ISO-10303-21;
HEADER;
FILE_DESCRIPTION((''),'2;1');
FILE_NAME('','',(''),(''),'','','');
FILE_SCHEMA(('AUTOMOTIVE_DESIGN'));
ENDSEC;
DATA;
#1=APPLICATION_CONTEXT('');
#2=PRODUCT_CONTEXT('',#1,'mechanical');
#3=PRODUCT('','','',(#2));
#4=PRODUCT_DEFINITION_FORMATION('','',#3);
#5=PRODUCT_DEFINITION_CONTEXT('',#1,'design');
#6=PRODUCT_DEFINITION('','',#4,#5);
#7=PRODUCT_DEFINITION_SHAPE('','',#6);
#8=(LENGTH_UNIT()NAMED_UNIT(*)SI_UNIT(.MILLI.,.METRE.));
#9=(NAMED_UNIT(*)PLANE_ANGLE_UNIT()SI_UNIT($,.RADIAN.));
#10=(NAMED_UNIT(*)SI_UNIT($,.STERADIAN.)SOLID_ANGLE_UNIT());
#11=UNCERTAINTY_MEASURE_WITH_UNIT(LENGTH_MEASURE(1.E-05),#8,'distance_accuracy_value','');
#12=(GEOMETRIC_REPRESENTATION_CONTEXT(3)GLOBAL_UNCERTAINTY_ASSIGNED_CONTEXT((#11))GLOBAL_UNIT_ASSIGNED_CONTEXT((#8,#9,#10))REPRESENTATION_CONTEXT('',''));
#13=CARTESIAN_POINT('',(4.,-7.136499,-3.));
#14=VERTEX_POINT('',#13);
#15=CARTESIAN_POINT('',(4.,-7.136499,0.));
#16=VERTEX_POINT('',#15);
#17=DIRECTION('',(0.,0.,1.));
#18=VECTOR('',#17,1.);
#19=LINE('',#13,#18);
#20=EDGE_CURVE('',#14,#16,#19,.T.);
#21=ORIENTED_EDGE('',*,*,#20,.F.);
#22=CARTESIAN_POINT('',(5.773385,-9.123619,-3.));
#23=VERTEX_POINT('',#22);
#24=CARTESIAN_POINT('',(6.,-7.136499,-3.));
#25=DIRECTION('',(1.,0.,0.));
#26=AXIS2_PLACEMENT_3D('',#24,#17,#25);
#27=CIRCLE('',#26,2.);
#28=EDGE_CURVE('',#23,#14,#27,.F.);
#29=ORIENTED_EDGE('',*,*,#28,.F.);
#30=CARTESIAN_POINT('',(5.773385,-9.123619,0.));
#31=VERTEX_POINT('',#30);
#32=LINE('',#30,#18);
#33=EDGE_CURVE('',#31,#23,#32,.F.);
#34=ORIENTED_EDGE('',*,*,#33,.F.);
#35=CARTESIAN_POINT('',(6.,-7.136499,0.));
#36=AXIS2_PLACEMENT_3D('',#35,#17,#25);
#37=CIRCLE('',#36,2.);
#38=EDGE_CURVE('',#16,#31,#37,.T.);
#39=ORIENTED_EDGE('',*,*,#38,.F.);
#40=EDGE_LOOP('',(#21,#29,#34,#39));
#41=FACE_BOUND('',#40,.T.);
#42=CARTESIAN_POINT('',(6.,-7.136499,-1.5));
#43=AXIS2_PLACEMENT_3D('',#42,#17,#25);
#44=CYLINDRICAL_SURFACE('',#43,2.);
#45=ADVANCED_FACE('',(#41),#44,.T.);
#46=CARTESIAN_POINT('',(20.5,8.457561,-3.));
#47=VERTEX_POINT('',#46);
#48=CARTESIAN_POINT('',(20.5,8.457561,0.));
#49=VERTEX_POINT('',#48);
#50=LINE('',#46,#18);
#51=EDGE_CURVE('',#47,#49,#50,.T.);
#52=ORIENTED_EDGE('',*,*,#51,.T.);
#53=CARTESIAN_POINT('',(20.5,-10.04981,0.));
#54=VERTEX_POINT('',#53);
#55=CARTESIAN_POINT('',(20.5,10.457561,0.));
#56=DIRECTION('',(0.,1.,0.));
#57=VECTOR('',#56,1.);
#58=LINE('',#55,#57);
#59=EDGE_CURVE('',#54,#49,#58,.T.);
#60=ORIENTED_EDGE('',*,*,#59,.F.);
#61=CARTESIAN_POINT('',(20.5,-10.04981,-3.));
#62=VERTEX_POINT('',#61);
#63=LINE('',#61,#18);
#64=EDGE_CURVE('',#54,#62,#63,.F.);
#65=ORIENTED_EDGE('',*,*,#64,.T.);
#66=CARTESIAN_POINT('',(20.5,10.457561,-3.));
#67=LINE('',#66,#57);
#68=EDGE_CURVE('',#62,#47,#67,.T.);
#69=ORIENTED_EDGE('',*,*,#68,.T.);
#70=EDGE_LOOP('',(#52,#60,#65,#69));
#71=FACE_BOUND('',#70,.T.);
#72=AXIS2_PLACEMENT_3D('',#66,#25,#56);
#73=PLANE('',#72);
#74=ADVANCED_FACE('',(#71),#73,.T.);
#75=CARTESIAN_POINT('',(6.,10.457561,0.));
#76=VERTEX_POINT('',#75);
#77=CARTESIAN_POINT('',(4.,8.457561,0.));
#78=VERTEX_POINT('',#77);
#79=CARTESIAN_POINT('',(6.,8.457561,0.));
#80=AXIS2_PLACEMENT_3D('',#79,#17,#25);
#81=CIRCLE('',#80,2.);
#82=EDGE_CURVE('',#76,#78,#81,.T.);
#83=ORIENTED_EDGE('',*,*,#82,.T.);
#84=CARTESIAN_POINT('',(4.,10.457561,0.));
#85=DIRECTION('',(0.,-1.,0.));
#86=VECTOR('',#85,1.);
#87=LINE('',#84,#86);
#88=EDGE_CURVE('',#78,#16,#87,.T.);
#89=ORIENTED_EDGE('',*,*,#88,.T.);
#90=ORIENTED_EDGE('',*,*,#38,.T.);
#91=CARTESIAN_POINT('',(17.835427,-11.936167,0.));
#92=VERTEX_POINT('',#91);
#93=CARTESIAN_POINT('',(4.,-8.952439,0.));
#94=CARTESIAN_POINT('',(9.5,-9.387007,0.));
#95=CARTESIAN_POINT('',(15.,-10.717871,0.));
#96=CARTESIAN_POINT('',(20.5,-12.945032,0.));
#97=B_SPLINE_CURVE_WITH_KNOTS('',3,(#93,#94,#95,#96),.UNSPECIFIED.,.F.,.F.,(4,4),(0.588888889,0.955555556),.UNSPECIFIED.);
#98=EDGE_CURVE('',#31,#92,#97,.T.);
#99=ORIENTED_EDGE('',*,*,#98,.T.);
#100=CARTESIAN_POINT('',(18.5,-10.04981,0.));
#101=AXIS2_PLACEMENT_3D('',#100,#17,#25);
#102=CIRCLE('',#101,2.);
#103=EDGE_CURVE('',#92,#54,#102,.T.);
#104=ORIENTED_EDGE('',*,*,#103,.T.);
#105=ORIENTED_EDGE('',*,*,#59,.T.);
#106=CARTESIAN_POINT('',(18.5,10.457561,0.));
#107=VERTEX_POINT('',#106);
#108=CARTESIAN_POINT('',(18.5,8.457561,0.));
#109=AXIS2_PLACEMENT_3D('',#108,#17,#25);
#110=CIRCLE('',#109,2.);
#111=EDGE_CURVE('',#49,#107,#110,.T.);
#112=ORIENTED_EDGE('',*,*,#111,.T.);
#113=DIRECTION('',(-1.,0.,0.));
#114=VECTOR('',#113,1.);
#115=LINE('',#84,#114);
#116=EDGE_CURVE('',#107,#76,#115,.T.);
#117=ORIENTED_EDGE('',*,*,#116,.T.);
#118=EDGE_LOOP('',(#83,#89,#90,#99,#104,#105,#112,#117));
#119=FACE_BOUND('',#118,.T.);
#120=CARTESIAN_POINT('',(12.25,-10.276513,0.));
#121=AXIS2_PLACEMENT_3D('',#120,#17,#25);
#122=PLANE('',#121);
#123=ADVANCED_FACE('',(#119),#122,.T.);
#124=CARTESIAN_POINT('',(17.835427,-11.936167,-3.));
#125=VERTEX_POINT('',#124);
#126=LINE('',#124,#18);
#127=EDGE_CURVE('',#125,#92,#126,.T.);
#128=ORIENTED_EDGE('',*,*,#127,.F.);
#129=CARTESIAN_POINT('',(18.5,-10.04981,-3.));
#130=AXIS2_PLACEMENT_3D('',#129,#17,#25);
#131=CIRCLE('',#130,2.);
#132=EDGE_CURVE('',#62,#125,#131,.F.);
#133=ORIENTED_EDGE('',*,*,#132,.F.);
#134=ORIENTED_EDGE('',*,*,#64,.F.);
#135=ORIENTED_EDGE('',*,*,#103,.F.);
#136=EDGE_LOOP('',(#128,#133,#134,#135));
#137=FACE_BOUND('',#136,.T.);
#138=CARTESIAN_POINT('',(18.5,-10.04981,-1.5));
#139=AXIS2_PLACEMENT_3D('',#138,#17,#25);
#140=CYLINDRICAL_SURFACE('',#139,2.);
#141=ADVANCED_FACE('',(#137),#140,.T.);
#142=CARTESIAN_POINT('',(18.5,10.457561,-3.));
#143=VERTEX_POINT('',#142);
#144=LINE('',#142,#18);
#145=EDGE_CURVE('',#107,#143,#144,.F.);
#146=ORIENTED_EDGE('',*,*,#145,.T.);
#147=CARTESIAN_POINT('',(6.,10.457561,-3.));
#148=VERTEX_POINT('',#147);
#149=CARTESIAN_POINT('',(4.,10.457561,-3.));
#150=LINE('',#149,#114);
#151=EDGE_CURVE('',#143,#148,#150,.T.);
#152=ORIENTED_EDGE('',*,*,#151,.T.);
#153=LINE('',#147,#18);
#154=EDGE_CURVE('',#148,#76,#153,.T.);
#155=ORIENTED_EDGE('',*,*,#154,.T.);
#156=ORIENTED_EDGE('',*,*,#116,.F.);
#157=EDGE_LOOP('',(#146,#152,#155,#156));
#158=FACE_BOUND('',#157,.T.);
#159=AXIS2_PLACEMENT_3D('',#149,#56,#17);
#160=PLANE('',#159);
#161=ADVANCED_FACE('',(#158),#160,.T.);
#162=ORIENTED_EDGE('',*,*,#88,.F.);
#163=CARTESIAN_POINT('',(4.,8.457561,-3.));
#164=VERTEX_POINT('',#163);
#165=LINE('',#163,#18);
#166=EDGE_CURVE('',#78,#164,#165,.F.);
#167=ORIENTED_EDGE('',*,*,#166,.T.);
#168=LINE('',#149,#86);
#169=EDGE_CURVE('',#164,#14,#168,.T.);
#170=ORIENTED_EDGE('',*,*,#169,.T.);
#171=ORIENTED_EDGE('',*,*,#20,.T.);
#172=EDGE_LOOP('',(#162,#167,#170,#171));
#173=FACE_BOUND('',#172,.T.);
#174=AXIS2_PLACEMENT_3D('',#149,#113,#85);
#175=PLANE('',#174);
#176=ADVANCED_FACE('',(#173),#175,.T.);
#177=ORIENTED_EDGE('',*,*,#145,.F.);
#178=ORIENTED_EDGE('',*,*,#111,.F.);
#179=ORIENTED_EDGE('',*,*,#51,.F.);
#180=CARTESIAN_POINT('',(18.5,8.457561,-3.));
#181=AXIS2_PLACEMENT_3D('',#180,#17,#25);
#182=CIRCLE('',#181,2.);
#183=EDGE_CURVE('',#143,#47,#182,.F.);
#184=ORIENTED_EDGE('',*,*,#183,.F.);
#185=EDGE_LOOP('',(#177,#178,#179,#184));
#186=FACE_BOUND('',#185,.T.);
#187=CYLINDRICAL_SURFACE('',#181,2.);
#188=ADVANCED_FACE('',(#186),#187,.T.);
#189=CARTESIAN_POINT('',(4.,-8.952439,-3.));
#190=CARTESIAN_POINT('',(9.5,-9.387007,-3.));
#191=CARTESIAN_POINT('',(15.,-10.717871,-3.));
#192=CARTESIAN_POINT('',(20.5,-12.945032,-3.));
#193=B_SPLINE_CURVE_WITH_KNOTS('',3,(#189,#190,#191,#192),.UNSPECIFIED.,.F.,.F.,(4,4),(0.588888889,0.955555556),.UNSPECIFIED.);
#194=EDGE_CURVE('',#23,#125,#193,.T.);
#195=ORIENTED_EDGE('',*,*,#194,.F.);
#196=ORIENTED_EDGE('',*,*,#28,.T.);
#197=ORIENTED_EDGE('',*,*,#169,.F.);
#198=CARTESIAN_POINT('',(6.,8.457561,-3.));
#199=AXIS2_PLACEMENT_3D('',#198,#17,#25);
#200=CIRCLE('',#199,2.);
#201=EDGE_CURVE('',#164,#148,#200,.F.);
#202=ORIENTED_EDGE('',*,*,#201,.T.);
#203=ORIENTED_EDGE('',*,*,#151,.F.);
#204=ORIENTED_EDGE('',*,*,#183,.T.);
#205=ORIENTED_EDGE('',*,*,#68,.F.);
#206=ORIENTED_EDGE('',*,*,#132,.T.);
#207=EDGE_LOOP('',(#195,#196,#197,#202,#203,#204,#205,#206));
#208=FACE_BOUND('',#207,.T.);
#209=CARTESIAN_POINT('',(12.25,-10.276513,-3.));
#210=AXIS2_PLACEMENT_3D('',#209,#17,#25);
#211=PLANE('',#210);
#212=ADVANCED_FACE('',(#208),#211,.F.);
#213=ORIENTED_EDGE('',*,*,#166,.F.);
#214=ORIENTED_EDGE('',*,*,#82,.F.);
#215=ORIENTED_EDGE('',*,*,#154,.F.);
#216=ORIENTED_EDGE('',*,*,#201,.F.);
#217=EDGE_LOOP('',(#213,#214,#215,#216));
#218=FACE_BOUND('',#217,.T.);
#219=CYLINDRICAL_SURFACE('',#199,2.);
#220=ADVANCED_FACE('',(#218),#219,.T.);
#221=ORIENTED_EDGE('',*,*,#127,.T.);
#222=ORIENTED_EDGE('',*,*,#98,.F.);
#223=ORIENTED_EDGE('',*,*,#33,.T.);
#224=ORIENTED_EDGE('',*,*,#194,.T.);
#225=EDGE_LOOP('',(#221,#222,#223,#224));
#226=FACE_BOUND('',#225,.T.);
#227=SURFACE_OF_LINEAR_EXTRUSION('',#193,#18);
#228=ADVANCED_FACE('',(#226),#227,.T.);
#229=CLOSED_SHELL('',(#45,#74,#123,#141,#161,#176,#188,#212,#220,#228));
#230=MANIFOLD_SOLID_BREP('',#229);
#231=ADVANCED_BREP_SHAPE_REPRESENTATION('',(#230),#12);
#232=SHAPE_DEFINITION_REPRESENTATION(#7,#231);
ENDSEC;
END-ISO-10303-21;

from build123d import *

# Parameters (mm, degrees)
BOSS_EXTRUDE1_DEPTH = 3
FILLET1_R           = 2


with BuildPart() as part:
    # Sketch2 → Boss-Extrude1 (new body)
    with BuildSketch(Plane.XY):
        with BuildLine():
            Line((4, 10.457560668), (4, -8.952439332))
            add(Edge.make_bspline(
                [(4, -8.952439332), (9.5, -9.387007233), (15, -10.717871431), (20.5, -12.945031924)],
                knots=[0.588888889, 0.588888889, 0.588888889, 0.588888889, 0.955555556, 0.955555556, 0.955555556, 0.955555556], degree=3))
            Line((20.5, -12.945031924), (20.5, 10.457560668))
            Line((20.5, 10.457560668), (4, 10.457560668))
        make_face()
    extrude(amount=-BOSS_EXTRUDE1_DEPTH)

    # Fillet1
    fillet1_edges = [part.edges().sort_by_distance(p)[0] for p in [
        (20.5, -12.945031924, -1.5),
        (4, -8.952439332, -1.5),
        (20.5, 10.457560668, -1.5),
        (4, 10.457560668, -1.5),
    ]]
    fillet(fillet1_edges, radius=FILLET1_R)


solid = part.part
